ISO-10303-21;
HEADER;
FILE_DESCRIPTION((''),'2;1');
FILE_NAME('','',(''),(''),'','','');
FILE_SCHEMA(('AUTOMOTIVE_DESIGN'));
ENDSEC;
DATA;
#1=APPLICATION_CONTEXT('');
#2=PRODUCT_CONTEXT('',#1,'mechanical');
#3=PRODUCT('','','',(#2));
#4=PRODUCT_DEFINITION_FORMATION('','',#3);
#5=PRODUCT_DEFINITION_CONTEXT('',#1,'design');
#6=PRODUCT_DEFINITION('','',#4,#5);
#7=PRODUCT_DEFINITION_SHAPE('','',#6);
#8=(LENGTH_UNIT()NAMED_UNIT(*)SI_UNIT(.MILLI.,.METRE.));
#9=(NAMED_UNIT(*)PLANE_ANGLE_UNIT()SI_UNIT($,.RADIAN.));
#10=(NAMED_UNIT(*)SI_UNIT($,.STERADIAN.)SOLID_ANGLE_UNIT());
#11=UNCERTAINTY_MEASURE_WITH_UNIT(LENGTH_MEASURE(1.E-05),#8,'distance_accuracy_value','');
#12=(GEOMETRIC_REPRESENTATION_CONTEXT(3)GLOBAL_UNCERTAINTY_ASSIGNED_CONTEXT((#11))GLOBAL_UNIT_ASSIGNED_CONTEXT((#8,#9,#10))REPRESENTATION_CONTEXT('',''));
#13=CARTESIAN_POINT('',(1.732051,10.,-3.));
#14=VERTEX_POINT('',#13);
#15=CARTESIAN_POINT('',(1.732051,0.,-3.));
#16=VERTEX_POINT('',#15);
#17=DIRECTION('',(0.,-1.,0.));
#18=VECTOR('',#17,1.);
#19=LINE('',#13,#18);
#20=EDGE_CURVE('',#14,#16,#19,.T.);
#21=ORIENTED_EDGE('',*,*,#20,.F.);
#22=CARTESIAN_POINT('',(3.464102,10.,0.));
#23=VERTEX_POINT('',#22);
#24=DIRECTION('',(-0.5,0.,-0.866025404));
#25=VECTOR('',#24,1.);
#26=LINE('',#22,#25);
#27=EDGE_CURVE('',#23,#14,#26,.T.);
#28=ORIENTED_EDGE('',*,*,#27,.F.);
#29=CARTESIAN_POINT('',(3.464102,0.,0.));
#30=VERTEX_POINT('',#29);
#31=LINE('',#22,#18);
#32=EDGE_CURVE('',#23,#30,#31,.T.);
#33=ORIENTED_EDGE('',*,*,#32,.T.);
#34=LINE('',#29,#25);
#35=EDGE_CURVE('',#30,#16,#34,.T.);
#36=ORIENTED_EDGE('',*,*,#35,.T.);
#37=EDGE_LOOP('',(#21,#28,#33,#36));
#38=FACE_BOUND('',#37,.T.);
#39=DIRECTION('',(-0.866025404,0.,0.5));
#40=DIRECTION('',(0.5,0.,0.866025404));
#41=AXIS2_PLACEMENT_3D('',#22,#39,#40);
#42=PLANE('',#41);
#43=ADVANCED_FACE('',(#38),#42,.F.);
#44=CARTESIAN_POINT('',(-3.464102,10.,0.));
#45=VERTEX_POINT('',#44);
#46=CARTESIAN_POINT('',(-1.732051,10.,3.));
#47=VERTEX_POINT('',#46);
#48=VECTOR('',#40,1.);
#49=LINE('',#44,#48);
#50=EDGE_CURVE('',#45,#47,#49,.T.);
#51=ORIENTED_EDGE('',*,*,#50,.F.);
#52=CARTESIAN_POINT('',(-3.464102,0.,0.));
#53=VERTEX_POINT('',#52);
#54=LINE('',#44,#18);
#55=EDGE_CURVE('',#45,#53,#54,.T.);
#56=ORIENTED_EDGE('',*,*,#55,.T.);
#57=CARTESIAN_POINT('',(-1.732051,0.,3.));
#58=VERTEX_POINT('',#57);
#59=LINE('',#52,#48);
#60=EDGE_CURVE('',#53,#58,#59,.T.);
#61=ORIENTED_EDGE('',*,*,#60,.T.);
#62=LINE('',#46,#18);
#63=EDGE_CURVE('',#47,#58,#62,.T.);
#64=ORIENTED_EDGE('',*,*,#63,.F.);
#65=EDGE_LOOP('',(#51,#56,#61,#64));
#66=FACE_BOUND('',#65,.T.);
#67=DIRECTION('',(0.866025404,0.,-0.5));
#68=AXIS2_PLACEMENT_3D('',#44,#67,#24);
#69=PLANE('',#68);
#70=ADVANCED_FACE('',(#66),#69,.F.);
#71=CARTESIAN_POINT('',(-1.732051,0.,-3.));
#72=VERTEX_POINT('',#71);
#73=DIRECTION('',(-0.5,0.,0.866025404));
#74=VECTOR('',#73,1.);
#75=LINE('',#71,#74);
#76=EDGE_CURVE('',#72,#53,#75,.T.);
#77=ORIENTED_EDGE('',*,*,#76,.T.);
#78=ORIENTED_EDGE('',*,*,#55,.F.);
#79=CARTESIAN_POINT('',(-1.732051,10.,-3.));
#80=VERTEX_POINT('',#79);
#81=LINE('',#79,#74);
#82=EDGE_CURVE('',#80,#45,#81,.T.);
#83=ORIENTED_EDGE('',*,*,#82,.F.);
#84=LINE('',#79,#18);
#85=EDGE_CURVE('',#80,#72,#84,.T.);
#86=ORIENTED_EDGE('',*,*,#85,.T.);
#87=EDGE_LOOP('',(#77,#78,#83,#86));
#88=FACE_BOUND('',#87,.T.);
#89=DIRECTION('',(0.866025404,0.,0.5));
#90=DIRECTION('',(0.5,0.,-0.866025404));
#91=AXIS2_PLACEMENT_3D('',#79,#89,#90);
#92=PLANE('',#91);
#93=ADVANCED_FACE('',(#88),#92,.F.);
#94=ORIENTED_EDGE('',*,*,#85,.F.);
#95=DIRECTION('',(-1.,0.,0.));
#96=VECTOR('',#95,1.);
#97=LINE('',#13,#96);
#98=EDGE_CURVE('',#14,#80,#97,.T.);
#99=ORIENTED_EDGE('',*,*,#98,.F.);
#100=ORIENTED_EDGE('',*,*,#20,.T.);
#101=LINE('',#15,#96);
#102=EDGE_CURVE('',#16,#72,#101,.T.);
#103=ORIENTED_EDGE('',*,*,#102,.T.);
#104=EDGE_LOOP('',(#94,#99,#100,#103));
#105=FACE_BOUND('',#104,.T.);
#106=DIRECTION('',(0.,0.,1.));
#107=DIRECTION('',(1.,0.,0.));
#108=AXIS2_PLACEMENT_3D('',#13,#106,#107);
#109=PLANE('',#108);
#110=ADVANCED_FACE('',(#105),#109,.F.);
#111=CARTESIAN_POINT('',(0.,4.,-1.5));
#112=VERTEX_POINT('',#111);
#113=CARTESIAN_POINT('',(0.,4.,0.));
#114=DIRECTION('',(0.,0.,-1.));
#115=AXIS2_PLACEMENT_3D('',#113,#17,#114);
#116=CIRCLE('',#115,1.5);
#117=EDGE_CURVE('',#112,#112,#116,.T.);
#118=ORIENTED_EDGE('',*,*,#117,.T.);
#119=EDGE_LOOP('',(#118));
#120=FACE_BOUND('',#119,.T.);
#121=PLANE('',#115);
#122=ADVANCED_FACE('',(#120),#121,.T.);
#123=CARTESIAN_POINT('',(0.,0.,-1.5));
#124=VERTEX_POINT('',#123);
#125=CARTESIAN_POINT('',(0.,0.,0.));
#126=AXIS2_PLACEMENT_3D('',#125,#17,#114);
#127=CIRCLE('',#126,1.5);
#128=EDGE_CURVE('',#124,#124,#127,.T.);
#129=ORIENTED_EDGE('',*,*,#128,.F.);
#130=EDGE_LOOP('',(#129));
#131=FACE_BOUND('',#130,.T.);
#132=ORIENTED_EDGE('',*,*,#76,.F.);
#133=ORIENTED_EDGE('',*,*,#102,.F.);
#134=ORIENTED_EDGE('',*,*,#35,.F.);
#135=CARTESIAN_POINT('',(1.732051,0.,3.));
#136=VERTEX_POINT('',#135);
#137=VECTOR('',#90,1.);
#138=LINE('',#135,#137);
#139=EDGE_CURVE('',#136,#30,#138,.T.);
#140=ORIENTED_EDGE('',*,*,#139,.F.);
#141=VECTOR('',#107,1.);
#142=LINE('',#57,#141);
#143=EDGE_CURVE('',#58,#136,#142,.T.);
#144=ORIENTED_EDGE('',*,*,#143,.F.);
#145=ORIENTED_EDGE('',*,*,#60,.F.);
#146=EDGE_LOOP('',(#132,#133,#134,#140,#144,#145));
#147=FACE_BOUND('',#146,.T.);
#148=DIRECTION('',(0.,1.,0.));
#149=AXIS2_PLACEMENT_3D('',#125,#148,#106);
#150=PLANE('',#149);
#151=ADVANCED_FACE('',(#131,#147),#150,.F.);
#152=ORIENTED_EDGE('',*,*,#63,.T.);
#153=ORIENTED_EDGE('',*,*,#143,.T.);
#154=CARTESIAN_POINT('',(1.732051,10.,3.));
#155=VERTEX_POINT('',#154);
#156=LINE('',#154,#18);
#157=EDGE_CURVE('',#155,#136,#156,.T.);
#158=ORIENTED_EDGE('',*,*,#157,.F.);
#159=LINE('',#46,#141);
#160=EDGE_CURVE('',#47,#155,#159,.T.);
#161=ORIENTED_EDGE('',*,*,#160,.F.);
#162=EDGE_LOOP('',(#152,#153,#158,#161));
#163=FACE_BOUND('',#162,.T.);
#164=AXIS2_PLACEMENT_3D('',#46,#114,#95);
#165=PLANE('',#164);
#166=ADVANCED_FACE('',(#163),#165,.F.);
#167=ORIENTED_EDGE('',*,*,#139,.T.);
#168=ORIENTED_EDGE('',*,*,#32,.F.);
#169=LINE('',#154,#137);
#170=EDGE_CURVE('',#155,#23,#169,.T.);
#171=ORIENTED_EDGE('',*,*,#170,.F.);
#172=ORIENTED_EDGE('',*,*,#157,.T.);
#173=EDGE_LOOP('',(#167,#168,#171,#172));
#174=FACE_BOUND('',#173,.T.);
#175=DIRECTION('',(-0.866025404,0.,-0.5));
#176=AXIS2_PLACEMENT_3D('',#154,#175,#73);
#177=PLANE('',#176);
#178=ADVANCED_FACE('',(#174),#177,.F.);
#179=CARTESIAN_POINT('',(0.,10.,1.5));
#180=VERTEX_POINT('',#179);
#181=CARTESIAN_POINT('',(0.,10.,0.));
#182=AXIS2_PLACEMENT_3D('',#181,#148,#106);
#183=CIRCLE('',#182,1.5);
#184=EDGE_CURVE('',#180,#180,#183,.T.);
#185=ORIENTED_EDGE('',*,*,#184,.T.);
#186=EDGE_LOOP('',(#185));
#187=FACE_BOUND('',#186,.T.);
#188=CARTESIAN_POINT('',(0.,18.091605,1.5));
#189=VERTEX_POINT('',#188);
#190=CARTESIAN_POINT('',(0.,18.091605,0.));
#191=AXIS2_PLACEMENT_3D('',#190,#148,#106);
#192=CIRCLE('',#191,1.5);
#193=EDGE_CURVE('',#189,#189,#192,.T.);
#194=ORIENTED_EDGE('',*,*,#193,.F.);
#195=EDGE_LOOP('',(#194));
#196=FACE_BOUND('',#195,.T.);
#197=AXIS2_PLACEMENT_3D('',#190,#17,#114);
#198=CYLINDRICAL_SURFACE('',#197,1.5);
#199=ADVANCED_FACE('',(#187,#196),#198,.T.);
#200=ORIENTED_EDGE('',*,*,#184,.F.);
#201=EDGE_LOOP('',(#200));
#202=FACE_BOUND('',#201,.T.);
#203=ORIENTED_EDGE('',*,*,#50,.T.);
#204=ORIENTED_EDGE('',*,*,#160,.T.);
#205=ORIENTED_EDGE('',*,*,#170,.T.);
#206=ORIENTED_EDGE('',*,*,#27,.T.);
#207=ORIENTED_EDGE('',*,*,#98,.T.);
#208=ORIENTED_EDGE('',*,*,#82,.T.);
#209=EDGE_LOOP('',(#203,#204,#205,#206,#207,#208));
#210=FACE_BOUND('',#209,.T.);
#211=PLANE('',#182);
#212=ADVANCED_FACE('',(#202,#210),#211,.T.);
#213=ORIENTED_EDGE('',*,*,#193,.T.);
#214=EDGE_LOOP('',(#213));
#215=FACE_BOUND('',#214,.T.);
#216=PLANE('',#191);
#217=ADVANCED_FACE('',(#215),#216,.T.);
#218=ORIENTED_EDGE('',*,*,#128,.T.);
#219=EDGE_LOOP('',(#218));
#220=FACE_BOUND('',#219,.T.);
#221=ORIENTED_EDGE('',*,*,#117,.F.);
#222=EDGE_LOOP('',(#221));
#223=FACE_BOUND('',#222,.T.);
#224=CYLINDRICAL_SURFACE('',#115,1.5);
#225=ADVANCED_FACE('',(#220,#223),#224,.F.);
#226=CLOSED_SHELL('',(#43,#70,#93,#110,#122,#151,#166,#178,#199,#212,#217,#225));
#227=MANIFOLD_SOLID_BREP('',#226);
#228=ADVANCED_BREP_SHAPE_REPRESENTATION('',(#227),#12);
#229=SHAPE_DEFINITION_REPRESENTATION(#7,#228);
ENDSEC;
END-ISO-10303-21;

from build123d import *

# Parameters (mm, degrees)
BOSS_EXTRUDE1_DEPTH = 10
SKETCH5_R           = 1.5
BOSS_EXTRUDE2_DEPTH = 8.091605471
SKETCH6_R           = 1.5
CUT_EXTRUDE1_DEPTH  = 4


with BuildPart() as part:
    # Sketch3 → Boss-Extrude1 (new body)
    with BuildSketch(Plane(origin=(0, 0, 0), x_dir=(1, 0, 0), z_dir=(0, 1, 0))):
        Polygon((-3.464101615, 0), (-1.732050808, -3), (1.732050808, -3), (3.464101615, 0), (1.732050808, 3), (-1.732050808, 3), align=None)
    extrude(amount=BOSS_EXTRUDE1_DEPTH)

    # Sketch5 → Boss-Extrude2 (add)
    with BuildSketch(Plane(origin=(0, 10, 0), x_dir=(1, 0, 0), z_dir=(0, 1, 0))):
        with Locations(Location((0, 0, 0), (0, 0, 270))):
            Circle(SKETCH5_R)
    extrude(amount=BOSS_EXTRUDE2_DEPTH)

    # Sketch6 → Cut-Extrude1 (cut)
    with BuildSketch(Plane.XZ):
        with Locations(Location((0, 0, 0), (0, 0, 90))):
            Circle(SKETCH6_R)
    extrude(amount=-CUT_EXTRUDE1_DEPTH, mode=Mode.SUBTRACT)


solid = part.part
